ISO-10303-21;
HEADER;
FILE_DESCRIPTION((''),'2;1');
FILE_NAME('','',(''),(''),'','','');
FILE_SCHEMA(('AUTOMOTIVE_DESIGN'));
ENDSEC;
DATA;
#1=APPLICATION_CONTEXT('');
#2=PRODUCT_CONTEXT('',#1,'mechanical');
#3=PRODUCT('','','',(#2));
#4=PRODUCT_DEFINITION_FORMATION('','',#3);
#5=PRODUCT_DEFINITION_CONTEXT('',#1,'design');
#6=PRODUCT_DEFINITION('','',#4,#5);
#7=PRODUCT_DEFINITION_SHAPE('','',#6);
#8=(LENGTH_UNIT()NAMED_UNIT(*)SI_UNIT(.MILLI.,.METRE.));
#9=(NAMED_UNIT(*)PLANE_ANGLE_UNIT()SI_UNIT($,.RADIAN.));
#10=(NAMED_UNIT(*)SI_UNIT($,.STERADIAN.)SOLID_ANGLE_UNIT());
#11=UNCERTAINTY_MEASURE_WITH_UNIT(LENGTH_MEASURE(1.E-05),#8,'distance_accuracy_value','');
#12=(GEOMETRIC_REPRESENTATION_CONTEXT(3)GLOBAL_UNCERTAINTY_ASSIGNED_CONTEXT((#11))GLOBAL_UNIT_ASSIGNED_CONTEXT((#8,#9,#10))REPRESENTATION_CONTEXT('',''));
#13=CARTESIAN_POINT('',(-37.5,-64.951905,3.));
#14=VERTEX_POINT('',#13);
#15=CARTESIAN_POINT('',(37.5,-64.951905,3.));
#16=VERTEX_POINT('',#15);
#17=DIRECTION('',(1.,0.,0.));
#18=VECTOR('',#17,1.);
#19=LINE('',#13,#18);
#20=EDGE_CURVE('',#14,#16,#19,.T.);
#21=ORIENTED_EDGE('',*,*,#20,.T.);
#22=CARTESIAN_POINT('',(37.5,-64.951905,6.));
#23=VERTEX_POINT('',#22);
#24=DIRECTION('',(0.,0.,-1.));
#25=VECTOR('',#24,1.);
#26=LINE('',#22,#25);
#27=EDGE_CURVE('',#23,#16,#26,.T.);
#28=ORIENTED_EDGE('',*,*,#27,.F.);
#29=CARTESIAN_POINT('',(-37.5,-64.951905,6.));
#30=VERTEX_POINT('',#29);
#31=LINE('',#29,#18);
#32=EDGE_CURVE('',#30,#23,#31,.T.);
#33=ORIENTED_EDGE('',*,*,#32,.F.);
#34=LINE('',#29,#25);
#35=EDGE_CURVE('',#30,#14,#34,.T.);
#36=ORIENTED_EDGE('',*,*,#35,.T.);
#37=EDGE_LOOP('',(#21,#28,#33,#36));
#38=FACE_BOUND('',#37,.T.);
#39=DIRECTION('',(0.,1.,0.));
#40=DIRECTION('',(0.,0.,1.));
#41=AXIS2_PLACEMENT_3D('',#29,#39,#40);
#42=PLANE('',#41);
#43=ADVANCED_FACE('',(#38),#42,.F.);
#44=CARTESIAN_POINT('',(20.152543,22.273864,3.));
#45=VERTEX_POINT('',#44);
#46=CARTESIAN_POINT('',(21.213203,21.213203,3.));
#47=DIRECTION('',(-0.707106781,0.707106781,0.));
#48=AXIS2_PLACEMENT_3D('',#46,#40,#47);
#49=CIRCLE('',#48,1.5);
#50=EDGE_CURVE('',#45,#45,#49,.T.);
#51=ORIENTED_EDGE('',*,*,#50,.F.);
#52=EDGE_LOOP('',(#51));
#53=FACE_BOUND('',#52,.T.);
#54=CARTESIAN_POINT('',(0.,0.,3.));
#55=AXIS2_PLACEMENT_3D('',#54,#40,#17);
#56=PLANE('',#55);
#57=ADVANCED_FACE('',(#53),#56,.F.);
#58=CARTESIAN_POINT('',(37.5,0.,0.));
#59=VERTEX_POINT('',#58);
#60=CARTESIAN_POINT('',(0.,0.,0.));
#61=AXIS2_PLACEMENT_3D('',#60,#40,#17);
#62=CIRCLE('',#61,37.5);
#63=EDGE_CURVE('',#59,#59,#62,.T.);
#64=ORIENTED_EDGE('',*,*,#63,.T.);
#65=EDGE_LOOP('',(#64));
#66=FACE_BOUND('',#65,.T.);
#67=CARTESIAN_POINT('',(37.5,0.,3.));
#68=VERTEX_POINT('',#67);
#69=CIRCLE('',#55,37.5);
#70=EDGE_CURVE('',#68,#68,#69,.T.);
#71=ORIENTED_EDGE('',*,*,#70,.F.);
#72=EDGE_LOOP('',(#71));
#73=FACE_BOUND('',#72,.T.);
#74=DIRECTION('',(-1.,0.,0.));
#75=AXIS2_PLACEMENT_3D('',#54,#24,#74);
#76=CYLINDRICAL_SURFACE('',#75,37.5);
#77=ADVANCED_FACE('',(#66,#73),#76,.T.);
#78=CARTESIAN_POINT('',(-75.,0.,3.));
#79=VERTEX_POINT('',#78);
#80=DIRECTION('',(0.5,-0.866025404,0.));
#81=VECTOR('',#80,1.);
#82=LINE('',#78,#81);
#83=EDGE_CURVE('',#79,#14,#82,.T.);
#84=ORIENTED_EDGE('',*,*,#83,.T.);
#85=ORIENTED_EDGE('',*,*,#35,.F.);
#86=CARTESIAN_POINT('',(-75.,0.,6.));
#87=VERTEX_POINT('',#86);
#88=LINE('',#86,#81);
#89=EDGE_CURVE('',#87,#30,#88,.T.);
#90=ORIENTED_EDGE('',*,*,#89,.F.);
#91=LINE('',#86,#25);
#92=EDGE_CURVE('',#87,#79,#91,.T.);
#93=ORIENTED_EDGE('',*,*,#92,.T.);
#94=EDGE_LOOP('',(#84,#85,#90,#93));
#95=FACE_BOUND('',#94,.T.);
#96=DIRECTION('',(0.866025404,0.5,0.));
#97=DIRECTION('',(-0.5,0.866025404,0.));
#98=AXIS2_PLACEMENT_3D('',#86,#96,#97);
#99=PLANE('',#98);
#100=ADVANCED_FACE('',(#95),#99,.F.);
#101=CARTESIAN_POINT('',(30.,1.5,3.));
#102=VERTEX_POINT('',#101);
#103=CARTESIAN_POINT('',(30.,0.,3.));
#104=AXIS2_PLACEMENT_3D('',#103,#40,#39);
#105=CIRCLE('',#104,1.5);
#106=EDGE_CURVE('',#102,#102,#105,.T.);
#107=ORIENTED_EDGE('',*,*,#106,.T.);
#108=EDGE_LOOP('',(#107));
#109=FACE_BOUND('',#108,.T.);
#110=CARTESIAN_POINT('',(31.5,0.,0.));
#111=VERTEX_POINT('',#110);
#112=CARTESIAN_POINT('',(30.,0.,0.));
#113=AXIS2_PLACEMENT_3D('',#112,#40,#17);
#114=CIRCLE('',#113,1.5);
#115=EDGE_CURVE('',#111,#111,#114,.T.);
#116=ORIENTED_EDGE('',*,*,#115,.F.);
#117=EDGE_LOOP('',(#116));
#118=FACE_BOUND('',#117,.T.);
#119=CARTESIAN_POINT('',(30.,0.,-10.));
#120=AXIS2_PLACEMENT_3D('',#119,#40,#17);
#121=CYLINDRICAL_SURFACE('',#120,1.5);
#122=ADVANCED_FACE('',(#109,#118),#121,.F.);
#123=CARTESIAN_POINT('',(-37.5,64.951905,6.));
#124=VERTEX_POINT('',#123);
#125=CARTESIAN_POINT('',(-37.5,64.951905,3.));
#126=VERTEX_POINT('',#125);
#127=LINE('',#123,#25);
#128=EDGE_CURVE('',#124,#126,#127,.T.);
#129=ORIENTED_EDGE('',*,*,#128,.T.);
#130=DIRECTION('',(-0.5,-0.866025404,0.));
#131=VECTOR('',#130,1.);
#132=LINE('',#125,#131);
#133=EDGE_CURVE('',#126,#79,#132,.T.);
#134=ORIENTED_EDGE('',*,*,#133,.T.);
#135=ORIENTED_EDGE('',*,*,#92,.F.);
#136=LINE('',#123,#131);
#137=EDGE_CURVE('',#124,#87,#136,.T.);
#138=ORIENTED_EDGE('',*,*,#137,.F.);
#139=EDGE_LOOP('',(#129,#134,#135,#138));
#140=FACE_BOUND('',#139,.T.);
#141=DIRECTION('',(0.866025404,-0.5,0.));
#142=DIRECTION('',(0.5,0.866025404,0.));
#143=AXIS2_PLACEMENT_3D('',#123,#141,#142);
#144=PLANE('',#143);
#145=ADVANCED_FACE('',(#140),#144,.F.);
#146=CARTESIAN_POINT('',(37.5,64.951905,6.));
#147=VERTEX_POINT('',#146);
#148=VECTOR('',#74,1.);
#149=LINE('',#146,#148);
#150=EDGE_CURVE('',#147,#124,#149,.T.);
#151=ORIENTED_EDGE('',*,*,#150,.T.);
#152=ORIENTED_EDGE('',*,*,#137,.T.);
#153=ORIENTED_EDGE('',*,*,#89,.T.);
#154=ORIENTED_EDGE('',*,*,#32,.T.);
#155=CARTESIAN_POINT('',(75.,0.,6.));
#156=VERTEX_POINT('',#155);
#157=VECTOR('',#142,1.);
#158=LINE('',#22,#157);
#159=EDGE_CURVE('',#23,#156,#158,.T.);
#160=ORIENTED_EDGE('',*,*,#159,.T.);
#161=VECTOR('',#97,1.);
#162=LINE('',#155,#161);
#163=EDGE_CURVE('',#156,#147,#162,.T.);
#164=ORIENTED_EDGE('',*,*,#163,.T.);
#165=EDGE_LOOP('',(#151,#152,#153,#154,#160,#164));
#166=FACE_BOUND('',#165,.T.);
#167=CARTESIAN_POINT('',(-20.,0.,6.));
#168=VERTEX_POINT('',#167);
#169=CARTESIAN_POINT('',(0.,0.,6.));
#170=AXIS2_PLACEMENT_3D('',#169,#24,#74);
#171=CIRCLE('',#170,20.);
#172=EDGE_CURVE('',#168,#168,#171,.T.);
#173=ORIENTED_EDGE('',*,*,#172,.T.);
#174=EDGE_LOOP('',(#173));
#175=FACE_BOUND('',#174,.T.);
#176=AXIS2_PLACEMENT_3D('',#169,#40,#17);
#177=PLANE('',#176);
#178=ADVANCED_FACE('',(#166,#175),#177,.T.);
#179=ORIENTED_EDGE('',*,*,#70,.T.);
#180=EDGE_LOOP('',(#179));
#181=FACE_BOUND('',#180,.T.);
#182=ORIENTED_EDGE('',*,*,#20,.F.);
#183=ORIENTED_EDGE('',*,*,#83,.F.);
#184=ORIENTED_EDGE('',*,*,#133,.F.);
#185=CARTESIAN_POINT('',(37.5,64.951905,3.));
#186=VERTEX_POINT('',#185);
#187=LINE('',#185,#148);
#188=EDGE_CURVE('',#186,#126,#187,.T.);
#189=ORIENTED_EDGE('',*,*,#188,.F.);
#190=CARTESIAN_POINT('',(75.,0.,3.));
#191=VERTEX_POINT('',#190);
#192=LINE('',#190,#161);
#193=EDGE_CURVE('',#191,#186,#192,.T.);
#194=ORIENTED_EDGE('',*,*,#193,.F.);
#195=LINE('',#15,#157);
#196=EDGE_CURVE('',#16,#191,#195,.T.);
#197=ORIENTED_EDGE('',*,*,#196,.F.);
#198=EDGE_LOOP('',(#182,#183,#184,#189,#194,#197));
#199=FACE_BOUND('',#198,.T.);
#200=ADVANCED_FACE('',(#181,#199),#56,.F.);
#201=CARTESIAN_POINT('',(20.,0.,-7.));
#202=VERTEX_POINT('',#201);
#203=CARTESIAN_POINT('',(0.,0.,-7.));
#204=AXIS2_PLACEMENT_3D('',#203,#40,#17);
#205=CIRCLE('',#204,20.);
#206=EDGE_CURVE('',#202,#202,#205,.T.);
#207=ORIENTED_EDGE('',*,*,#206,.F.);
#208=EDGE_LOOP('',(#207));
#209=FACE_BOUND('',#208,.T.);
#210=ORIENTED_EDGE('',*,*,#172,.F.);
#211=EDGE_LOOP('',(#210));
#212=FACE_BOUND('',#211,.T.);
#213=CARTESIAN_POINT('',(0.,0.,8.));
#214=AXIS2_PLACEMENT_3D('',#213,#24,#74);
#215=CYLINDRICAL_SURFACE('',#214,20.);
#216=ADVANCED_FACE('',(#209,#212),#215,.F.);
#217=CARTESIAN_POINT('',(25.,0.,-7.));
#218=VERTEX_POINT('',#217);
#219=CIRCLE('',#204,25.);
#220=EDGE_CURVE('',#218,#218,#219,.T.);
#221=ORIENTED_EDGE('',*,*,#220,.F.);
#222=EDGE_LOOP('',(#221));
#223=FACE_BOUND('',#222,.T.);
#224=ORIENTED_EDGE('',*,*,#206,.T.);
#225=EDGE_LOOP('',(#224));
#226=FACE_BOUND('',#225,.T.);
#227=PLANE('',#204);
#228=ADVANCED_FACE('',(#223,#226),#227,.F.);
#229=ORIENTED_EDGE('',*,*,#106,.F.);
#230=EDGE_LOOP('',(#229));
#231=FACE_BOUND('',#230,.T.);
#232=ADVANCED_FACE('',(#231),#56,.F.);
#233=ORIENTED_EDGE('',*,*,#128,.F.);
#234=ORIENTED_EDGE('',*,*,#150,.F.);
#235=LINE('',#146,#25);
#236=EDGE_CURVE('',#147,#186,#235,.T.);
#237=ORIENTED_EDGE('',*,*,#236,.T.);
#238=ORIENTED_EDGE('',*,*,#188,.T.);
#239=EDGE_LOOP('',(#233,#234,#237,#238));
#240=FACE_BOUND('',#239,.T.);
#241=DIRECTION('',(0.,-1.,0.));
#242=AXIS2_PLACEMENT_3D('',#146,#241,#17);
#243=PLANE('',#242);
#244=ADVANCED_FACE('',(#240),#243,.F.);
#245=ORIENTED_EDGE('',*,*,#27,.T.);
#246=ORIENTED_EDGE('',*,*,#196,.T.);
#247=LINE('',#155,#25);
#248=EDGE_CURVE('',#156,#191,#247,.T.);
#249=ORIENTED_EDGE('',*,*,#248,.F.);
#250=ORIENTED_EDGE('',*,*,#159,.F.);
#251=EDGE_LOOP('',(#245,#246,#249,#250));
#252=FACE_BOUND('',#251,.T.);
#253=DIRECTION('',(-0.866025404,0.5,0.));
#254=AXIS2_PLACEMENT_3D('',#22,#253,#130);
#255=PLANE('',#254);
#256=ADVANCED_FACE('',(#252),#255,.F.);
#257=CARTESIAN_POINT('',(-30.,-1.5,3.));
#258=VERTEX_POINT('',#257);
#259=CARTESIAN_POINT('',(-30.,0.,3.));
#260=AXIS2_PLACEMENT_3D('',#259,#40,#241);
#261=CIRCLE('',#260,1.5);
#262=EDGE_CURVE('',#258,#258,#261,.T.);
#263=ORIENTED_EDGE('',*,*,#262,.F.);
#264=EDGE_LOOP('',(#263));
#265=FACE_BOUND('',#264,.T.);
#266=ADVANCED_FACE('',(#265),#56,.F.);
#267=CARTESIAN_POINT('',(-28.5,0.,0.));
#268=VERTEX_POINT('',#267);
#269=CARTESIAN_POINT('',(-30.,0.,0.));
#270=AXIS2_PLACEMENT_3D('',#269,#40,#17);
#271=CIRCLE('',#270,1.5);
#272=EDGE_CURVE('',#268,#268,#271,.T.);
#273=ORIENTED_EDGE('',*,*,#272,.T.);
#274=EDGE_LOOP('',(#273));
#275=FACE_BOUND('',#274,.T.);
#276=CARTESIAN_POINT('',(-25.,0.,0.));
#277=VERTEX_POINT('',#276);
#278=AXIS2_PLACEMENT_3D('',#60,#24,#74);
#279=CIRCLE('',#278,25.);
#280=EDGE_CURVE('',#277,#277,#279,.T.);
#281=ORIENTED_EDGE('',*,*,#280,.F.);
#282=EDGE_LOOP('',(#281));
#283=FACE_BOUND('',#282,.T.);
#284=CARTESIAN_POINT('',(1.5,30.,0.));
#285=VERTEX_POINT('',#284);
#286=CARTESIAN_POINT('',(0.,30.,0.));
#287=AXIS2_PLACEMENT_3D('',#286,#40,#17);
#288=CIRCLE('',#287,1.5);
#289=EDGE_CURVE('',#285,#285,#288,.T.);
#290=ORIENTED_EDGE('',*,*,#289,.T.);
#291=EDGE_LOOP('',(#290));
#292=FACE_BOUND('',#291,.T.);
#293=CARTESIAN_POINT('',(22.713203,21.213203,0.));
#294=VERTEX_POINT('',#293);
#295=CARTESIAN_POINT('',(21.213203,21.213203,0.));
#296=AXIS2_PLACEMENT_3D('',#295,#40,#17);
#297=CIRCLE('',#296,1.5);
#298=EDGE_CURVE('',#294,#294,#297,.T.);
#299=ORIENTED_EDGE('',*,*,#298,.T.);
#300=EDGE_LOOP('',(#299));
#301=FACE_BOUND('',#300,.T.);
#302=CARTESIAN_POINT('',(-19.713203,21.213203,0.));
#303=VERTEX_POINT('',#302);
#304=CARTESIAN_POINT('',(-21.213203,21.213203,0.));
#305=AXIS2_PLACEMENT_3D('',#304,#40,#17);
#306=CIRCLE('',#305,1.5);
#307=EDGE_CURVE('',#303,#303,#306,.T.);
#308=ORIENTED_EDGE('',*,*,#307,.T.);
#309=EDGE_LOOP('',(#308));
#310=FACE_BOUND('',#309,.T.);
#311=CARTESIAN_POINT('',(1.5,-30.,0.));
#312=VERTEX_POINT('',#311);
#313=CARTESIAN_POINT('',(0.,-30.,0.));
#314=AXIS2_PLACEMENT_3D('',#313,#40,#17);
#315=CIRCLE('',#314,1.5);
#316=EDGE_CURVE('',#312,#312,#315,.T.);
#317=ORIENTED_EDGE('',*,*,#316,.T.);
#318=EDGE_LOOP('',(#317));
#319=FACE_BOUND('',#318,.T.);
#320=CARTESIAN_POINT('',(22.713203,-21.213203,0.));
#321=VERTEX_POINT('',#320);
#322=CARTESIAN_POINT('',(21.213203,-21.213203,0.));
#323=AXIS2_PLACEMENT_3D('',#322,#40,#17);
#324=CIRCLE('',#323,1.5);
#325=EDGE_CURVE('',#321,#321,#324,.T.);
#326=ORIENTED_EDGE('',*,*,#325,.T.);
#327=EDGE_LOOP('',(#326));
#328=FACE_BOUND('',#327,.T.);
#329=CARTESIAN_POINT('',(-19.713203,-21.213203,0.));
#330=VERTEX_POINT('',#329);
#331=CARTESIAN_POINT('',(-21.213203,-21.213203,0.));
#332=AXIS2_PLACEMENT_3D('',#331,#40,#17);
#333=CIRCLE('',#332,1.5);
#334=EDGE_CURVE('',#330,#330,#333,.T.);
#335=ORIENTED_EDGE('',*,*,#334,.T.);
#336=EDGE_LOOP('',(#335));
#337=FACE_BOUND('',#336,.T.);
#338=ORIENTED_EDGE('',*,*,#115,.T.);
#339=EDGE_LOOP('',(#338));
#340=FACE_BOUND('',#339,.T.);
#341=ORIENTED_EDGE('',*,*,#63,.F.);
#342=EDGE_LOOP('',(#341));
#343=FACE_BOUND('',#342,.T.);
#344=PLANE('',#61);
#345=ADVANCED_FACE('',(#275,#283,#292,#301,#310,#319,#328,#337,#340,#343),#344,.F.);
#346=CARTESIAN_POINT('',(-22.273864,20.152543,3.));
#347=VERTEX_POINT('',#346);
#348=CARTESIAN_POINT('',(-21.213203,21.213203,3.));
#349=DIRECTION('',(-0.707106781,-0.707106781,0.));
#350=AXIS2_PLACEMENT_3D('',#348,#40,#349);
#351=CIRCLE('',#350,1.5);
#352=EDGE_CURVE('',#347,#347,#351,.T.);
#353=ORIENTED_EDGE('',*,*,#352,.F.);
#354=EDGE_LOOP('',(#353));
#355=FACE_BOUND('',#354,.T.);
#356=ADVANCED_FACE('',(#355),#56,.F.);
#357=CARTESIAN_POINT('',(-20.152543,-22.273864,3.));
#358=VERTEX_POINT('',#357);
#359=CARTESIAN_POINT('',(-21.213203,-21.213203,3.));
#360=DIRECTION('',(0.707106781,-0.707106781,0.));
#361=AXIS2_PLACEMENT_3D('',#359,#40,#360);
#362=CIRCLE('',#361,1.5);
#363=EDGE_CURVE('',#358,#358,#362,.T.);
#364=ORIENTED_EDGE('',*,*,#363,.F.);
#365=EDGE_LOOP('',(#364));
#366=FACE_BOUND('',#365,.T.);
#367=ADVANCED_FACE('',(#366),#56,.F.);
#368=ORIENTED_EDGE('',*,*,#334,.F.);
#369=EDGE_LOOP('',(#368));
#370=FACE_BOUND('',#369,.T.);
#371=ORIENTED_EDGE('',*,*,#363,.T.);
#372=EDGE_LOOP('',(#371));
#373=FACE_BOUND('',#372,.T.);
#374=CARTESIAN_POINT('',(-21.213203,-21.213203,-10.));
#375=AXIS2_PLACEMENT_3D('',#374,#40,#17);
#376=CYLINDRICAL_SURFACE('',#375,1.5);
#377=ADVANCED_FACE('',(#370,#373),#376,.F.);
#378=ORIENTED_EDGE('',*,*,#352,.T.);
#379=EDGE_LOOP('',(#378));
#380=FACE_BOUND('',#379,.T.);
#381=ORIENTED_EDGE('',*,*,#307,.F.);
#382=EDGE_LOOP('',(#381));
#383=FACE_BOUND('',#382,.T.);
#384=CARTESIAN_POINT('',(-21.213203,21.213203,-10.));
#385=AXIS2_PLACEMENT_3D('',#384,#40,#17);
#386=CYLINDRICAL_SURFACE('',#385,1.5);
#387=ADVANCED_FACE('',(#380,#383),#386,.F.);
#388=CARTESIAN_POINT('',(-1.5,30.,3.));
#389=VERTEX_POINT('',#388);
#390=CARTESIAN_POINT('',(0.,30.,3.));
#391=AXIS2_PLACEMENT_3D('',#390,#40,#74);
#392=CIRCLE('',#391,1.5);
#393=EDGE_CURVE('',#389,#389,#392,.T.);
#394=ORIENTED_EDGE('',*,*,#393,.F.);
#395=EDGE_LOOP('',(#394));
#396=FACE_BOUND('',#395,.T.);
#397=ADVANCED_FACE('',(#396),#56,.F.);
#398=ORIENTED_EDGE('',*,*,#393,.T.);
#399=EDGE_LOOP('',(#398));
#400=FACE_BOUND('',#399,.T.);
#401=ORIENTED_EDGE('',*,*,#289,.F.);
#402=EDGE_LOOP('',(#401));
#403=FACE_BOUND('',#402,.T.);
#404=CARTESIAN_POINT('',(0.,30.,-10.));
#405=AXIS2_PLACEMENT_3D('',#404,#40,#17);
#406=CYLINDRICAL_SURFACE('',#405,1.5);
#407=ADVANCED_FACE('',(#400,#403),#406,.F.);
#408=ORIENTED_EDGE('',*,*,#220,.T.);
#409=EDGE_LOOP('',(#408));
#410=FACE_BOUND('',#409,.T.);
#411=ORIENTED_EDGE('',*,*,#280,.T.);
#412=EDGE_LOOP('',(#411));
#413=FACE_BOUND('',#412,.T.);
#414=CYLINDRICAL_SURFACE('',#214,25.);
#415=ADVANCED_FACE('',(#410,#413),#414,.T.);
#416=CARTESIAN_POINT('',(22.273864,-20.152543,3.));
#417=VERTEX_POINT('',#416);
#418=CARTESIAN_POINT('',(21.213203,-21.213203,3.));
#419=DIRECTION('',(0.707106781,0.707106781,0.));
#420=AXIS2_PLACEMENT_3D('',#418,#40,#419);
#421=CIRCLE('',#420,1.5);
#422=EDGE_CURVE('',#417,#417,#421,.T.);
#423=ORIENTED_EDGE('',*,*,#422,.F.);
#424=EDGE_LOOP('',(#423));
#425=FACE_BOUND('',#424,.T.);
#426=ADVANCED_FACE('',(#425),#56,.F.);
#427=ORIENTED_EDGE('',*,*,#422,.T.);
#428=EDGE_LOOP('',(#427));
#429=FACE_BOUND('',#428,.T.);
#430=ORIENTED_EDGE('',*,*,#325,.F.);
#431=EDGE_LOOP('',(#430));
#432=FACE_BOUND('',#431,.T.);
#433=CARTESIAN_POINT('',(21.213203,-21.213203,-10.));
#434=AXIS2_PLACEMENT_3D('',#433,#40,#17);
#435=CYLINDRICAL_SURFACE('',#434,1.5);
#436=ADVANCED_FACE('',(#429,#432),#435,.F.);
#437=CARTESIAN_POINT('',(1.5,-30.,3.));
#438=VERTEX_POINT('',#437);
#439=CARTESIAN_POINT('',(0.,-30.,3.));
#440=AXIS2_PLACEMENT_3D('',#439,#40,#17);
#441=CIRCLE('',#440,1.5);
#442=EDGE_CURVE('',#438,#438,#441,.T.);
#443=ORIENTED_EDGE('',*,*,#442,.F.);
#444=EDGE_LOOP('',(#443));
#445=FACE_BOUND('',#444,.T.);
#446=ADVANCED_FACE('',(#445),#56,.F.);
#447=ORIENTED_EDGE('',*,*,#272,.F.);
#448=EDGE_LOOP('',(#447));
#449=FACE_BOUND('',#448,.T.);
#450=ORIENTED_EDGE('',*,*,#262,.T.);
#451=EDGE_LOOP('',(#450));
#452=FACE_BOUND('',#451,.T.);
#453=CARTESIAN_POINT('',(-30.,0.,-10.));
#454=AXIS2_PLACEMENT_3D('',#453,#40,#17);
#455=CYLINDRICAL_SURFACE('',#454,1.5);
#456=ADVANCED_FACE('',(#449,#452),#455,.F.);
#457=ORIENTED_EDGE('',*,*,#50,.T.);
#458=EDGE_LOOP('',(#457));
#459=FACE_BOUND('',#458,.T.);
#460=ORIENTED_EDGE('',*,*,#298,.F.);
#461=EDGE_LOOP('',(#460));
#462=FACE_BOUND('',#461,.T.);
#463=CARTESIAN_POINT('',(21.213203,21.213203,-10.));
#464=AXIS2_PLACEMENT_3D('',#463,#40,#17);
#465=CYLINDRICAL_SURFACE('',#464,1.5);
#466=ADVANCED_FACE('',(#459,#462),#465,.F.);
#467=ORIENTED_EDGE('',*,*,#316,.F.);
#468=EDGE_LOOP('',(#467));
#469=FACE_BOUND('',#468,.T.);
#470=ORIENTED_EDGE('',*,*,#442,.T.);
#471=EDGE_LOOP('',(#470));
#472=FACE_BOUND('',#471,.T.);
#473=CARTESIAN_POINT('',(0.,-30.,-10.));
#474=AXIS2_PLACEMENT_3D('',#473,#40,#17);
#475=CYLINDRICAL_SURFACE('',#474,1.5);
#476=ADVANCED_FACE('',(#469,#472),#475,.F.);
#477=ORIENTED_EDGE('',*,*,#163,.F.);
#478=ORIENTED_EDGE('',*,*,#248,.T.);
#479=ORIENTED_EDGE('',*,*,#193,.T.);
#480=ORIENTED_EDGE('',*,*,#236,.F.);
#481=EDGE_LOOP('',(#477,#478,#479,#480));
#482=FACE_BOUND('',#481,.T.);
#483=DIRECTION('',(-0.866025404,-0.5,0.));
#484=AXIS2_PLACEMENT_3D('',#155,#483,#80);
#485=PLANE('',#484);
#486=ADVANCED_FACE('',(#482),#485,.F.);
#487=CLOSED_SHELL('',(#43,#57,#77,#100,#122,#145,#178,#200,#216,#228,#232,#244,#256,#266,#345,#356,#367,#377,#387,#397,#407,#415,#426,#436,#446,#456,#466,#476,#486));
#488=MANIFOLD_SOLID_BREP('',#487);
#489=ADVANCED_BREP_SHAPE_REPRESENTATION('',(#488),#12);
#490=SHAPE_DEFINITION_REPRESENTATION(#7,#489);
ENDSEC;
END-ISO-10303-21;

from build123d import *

# Parameters (mm, degrees)
SKETCH_1_R               = 37.5
EXTRUDE_1_DEPTH          = 3
SKETCH_2_R               = 25
CUT_EXTRUDE_1_DEPTH      = 3
SKETCH_3_R               = 1.5
CUT_EXTRUDE_2_DEPTH      = 13
PATTERN_CIRCULAR_1_COUNT = 8
EXTRUDE_2_DEPTH          = 5
EXTRUDE_2_DEPTH_BACK     = 10
SKETCH_4_R               = 25
SKETCH_4_R_2             = 20
SKETCH_7_R               = 28.195307437
CUT_EXTRUDE_3_DEPTH      = 5
EXTRUDE_3_DEPTH          = 3
CUT_EXTRUDE_4_DEPTH      = 100.718353376
CUT_EXTRUDE_4_DEPTH_BACK = 100.718353376
SKETCH_9_R               = 20


with BuildPart() as part:
    # 草图1 → 凸台-拉伸1 (new body)
    with BuildSketch(Plane.XY):
        Circle(SKETCH_1_R)
    extrude(amount=EXTRUDE_1_DEPTH)

    # 草图2 → 切除-拉伸1 (cut)
    with BuildSketch(Plane(origin=(0, 0, 0), x_dir=(-1, 0, 0), z_dir=(0, 0, -1))):
        Circle(SKETCH_2_R)
    extrude(amount=-CUT_EXTRUDE_1_DEPTH, mode=Mode.SUBTRACT)

    # 草图3 → 切除-拉伸2 (cut)
    with BuildSketch(Plane.XY.offset(3)):
        with Locations((0, -30)):
            Circle(SKETCH_3_R)
    cut_extrude_2 = extrude(amount=-CUT_EXTRUDE_2_DEPTH, mode=Mode.SUBTRACT)

    # 阵列(圆周)1: 切除-拉伸2 ×8 about axis
    pattern_circular_1_axis = Axis((0, 0, 0), (0, 0, 1))
    for i in range(1, PATTERN_CIRCULAR_1_COUNT):
        add(cut_extrude_2.rotate(pattern_circular_1_axis, i * 360 / PATTERN_CIRCULAR_1_COUNT), mode=Mode.SUBTRACT)

    # 草图4 → 凸台-拉伸2 (add, two sides: drawn at the far end of the back side and taken through both)
    with BuildSketch(Plane.XY.offset(3).offset(-EXTRUDE_2_DEPTH_BACK)):
        with Locations(Location((0, 0, 0), (0, 0, 180))):
            Circle(SKETCH_4_R)
        Circle(SKETCH_4_R_2, mode=Mode.SUBTRACT)
    extrude(amount=EXTRUDE_2_DEPTH + EXTRUDE_2_DEPTH_BACK)

    # 草图7 → 切除-拉伸3 (cut)
    with BuildSketch(Plane.XY.offset(8)):
        Circle(SKETCH_7_R)
    extrude(amount=-CUT_EXTRUDE_3_DEPTH, mode=Mode.SUBTRACT)

    # 草图8 → 凸台-拉伸3 (add)
    with BuildSketch(Plane.XY.offset(3)):
        Polygon((37.5, 64.951905284), (-37.5, 64.951905284), (-75, 0), (-37.5, -64.951905284), (37.5, -64.951905284), (75, 0), align=None)
    extrude(amount=EXTRUDE_3_DEPTH)

    # 草图9 → 切除-拉伸4 (cut, two sides: drawn at the far end of the back side and taken through both)
    with BuildSketch(Plane(origin=(0, 0, 3), x_dir=(-1, 0, 0), z_dir=(0, 0, -1)).offset(-CUT_EXTRUDE_4_DEPTH_BACK)):
        Circle(SKETCH_9_R)
    extrude(amount=CUT_EXTRUDE_4_DEPTH + CUT_EXTRUDE_4_DEPTH_BACK, mode=Mode.SUBTRACT)


solid = part.part
